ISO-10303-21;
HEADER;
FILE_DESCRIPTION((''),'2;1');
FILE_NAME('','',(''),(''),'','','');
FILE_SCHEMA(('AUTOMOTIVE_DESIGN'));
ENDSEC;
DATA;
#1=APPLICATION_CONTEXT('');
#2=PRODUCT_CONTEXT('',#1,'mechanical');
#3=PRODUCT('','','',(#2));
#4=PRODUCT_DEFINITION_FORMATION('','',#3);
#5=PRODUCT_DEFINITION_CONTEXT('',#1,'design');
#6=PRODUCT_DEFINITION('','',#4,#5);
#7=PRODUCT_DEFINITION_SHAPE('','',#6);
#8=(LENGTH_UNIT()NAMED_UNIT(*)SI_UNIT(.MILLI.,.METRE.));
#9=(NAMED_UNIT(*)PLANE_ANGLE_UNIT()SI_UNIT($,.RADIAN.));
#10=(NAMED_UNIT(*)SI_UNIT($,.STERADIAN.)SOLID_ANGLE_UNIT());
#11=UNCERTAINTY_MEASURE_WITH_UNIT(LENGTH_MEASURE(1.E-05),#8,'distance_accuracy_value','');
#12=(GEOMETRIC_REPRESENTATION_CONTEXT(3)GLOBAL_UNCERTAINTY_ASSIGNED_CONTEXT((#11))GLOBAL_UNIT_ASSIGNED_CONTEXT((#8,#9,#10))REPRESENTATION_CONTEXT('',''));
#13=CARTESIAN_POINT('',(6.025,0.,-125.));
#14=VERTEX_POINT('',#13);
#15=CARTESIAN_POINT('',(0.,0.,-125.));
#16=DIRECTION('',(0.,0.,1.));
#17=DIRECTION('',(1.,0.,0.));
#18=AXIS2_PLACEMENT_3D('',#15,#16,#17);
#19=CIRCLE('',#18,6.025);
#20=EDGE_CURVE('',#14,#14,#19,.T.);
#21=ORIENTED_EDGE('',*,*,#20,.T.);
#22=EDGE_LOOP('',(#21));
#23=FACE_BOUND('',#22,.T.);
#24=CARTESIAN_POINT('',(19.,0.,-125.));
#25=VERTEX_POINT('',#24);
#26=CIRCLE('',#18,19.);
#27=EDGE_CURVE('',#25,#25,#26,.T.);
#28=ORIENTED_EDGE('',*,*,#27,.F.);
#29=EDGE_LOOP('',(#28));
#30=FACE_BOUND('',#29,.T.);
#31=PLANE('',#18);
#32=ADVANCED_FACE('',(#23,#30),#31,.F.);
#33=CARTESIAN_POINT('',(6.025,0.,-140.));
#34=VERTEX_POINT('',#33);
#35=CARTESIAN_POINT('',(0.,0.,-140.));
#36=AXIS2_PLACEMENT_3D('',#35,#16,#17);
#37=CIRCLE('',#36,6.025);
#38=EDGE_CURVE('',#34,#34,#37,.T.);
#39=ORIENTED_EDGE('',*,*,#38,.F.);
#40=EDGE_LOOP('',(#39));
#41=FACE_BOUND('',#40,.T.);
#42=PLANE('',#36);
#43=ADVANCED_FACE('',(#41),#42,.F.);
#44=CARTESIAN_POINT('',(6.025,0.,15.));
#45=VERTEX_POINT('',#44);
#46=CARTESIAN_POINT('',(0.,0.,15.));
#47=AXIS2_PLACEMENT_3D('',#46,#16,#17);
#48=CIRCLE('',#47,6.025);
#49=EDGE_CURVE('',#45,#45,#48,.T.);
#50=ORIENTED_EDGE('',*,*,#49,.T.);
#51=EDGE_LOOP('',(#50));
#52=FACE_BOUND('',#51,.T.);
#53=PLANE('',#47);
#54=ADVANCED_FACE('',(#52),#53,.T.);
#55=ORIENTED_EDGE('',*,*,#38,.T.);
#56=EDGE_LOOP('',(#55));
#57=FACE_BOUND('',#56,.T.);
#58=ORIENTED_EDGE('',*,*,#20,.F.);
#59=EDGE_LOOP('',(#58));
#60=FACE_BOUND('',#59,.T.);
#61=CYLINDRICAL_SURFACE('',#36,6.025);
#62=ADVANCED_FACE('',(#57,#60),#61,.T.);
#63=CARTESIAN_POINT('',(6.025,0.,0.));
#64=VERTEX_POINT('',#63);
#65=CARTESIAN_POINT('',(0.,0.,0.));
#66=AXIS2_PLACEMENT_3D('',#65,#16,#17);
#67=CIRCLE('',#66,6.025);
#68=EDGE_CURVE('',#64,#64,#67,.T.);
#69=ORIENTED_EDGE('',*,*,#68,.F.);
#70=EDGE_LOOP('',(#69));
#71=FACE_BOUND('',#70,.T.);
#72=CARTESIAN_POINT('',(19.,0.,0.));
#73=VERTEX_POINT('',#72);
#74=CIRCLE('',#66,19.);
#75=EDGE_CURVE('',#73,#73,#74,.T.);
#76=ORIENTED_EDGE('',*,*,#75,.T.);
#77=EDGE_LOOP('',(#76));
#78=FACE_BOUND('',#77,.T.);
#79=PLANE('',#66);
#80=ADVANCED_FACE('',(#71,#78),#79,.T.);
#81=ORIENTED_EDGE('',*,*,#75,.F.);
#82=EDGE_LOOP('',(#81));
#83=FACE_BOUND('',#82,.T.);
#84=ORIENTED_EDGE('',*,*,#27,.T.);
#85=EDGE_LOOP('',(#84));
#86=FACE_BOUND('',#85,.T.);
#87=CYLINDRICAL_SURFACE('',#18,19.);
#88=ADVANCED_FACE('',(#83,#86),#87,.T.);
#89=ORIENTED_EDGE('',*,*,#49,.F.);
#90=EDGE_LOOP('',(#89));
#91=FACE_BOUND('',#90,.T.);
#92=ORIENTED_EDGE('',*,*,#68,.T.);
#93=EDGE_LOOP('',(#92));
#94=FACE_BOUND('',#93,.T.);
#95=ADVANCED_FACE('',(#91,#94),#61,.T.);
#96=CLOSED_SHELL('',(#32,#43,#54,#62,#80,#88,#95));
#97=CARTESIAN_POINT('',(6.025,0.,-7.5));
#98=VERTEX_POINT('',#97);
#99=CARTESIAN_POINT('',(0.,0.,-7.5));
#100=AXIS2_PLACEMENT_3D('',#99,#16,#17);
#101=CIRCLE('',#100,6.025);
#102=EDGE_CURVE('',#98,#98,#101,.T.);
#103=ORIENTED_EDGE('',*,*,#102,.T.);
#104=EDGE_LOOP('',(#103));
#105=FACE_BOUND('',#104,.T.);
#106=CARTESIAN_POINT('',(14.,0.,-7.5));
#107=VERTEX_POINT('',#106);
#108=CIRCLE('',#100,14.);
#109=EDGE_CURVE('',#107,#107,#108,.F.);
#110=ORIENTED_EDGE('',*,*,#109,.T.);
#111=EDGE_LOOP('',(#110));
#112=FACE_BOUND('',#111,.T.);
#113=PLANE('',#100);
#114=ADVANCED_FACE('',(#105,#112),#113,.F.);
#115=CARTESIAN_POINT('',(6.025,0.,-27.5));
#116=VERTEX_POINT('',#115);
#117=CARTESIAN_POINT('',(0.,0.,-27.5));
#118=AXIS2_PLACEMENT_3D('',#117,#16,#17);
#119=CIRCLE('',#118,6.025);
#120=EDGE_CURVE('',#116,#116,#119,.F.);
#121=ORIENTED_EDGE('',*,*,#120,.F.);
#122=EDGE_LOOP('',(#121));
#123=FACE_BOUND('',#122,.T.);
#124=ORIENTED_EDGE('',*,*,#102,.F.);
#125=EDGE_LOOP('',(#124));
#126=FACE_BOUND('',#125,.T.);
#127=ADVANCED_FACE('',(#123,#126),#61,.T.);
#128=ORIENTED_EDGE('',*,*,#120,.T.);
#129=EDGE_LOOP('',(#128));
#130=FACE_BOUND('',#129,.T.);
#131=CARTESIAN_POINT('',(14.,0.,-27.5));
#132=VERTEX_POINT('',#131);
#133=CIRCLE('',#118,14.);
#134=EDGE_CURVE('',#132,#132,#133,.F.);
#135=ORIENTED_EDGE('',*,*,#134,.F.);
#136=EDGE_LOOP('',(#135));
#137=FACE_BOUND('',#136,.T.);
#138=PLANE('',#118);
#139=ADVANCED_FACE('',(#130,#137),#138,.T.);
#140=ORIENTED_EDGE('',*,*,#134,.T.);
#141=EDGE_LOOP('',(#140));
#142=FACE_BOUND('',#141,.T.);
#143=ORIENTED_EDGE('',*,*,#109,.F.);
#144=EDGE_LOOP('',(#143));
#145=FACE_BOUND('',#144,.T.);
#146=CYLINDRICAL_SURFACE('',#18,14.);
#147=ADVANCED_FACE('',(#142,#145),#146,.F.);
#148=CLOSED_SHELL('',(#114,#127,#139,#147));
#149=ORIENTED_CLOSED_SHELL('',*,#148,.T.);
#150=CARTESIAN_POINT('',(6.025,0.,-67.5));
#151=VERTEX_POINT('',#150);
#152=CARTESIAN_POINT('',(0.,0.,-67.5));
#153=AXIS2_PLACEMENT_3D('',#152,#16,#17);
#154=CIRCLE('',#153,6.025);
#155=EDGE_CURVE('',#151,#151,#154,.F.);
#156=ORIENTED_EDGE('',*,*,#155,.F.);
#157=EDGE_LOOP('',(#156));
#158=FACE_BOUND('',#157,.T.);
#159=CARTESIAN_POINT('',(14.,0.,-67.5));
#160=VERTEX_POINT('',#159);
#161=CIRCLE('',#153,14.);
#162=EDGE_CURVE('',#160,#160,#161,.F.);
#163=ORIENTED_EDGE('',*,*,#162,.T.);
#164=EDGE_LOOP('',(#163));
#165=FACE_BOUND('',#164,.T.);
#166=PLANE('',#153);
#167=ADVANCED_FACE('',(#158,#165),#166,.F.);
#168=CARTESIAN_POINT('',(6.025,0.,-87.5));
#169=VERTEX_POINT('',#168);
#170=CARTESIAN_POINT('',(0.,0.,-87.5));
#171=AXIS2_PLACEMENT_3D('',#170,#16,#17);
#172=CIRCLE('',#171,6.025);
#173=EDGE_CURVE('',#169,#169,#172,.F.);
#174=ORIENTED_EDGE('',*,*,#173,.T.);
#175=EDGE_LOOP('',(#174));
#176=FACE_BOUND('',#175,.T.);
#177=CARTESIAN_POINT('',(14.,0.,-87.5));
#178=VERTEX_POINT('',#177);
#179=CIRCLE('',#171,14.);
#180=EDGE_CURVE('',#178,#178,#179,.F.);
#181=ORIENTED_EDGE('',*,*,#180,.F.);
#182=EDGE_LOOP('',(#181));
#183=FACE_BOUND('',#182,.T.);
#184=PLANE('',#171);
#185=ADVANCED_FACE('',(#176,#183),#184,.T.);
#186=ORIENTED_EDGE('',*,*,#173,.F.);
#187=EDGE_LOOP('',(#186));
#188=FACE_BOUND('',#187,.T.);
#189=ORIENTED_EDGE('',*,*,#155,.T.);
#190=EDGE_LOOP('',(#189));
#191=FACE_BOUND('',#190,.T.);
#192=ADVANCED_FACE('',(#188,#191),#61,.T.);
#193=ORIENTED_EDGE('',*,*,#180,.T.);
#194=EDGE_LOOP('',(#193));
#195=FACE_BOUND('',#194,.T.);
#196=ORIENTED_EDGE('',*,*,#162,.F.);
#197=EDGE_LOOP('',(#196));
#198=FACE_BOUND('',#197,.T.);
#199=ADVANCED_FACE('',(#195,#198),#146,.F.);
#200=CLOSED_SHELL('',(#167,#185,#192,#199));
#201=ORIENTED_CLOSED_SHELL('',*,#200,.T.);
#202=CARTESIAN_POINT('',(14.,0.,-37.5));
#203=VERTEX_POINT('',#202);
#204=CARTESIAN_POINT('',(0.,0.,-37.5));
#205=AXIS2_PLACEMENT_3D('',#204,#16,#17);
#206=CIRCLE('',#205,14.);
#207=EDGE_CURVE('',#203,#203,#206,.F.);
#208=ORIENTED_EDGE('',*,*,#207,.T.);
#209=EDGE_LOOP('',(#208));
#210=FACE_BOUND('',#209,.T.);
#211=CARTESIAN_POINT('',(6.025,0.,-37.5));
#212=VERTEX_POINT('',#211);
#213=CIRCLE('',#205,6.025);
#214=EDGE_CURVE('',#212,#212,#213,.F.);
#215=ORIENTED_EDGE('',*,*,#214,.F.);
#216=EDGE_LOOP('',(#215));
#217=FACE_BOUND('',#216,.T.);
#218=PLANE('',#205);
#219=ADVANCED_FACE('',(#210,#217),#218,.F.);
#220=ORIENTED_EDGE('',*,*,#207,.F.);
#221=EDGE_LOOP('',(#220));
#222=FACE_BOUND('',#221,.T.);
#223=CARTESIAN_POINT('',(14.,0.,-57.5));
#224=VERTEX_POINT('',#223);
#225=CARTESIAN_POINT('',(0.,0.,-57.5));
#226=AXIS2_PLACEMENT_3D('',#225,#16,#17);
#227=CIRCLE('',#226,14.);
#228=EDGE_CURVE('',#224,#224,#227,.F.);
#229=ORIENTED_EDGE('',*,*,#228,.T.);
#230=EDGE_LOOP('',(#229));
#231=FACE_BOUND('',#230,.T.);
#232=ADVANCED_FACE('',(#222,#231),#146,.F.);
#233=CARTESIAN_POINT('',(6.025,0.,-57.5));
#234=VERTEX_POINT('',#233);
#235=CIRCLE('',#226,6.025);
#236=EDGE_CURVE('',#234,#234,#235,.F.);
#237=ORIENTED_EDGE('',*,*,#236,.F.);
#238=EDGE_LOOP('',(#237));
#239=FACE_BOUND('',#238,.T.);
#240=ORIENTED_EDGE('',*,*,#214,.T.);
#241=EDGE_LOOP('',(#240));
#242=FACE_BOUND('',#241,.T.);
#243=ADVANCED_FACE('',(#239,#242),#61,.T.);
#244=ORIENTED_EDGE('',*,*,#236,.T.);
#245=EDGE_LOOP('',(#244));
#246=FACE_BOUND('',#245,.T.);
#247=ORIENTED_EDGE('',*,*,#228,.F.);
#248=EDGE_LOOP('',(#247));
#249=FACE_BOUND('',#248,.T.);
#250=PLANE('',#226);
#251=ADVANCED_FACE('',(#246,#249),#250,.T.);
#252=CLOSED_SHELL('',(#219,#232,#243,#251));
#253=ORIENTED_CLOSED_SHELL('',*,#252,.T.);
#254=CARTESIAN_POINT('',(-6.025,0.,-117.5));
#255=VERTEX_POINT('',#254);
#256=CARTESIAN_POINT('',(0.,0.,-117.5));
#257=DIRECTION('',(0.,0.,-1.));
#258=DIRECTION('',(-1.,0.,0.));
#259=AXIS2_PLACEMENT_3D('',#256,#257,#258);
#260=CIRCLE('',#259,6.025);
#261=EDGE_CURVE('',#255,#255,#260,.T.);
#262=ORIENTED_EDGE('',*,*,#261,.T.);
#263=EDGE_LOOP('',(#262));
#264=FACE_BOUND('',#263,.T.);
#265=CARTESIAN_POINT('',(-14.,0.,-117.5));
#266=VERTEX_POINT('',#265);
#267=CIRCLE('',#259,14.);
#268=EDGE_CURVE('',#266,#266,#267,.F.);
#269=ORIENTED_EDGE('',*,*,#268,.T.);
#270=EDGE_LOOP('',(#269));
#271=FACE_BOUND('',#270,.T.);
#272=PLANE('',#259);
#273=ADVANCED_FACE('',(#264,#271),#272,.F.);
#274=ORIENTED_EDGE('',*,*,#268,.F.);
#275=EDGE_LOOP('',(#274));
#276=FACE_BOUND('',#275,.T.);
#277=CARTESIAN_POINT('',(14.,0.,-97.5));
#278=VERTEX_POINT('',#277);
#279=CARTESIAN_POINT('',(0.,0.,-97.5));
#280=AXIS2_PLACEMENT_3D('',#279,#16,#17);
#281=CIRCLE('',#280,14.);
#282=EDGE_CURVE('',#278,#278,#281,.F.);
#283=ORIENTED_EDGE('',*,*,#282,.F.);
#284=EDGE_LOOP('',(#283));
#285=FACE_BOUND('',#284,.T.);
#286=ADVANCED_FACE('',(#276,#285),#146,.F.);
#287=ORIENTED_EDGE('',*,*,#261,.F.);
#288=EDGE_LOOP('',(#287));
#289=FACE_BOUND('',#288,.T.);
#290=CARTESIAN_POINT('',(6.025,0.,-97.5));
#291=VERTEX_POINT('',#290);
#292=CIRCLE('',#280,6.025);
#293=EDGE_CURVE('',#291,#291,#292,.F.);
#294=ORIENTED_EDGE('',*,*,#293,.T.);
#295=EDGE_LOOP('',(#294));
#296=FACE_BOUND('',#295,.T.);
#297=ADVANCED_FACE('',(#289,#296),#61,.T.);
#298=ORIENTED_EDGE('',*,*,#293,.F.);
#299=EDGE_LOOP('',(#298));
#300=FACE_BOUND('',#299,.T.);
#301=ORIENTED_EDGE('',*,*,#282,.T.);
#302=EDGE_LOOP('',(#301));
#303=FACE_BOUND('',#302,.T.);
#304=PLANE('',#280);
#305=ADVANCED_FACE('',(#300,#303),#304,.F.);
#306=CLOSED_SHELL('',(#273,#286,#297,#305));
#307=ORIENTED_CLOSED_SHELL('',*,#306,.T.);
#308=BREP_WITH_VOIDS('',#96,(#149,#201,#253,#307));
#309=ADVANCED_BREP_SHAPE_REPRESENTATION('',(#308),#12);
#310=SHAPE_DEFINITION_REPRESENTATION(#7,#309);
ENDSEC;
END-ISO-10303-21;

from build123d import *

# Parameters (mm, degrees)
SKETCH1_R                 = 19
SKETCH1_R_2               = 14
BOSS_EXTRUDE1_DEPTH       = 125
BOSS_EXTRUDE2_START       = 7.5
SKETCH2_R                 = 14
BOSS_EXTRUDE2_DEPTH       = 7.5
CUT_EXTRUDE1_DEPTH        = 121.53319045
CUT_EXTRUDE1_DEPTH_BACK   = 121.53319045
SKETCH4_R                 = 6.025
SKETCH5_R                 = 14
BOSS_EXTRUDE3_DEPTH       = 7.5
BOSS_EXTRUDE4_DEPTH       = 15
BOSS_EXTRUDE4_DEPTH_BACK  = 140
SKETCH7_R                 = 6.025
SKETCH8_R                 = 15
BOSS_EXTRUDE5_DEPTH       = 5
LPATTERN2_COUNT           = 2
LPATTERN2_PITCH           = 30
LPATTERN3_COPY_1_SKETCH_R = 15
LPATTERN3_COPY_1_DEPTH    = 5
LPATTERN3_COPY_2_SKETCH_R = 15
LPATTERN3_COPY_2_DEPTH    = 5


with BuildPart() as part:
    # Sketch1 → Boss-Extrude1 (new body)
    with BuildSketch(Plane.XY):
        Circle(SKETCH1_R)
        Circle(SKETCH1_R_2, mode=Mode.SUBTRACT)
    extrude(amount=-BOSS_EXTRUDE1_DEPTH)

    # Sketch2 → Boss-Extrude2 (add)
    with BuildSketch(Plane.XY.offset(-7.5).offset(BOSS_EXTRUDE2_START)):
        Circle(SKETCH2_R)
    extrude(amount=-BOSS_EXTRUDE2_DEPTH)

    # Sketch4 → Cut-Extrude1 (cut, two sides: drawn at the far end of the back side and taken through both)
    with BuildSketch(Plane.XY.offset(-7.5).offset(-CUT_EXTRUDE1_DEPTH_BACK)):
        Circle(SKETCH4_R)
    extrude(amount=CUT_EXTRUDE1_DEPTH + CUT_EXTRUDE1_DEPTH_BACK, mode=Mode.SUBTRACT)

    # Sketch5 → Boss-Extrude3 (add)
    with BuildSketch(Plane(origin=(0, 0, -117.5), x_dir=(-1, 0, 0), z_dir=(0, 0, -1))):
        with Locations(Location((0, 0, 0), (0, 0, 180))):
            Circle(SKETCH5_R)
    extrude(amount=BOSS_EXTRUDE3_DEPTH)

    # Sketch7 → Boss-Extrude4 (add, two sides: drawn at the far end of the back side and taken through both)
    with BuildSketch(Plane.XY.offset(-BOSS_EXTRUDE4_DEPTH_BACK)):
        Circle(SKETCH7_R)
    extrude(amount=BOSS_EXTRUDE4_DEPTH + BOSS_EXTRUDE4_DEPTH_BACK)

    # Sketch8 → Boss-Extrude5 (add, symmetric)
    with BuildSketch(Plane.XY.offset(-62.5)):
        Circle(SKETCH8_R)
    boss_extrude5 = extrude(amount=BOSS_EXTRUDE5_DEPTH, both=True)

    # LPattern2: Boss-Extrude5 ×2
    with Locations(*[(0, 0, -i * LPATTERN2_PITCH) for i in range(1, LPATTERN2_COUNT)]):
        add(boss_extrude5)

    # LPattern3 copy 1 sketch → LPattern3 copy 1 (add, symmetric)
    with BuildSketch(Plane.XY.offset(-62.5)):
        Circle(LPATTERN3_COPY_1_SKETCH_R)
    extrude(amount=LPATTERN3_COPY_1_DEPTH, both=True)

    # LPattern3 copy 2 sketch → LPattern3 copy 2 (add, symmetric)
    with BuildSketch(Plane.XY.offset(-32.5)):
        Circle(LPATTERN3_COPY_2_SKETCH_R)
    extrude(amount=LPATTERN3_COPY_2_DEPTH, both=True)


solid = part.part
